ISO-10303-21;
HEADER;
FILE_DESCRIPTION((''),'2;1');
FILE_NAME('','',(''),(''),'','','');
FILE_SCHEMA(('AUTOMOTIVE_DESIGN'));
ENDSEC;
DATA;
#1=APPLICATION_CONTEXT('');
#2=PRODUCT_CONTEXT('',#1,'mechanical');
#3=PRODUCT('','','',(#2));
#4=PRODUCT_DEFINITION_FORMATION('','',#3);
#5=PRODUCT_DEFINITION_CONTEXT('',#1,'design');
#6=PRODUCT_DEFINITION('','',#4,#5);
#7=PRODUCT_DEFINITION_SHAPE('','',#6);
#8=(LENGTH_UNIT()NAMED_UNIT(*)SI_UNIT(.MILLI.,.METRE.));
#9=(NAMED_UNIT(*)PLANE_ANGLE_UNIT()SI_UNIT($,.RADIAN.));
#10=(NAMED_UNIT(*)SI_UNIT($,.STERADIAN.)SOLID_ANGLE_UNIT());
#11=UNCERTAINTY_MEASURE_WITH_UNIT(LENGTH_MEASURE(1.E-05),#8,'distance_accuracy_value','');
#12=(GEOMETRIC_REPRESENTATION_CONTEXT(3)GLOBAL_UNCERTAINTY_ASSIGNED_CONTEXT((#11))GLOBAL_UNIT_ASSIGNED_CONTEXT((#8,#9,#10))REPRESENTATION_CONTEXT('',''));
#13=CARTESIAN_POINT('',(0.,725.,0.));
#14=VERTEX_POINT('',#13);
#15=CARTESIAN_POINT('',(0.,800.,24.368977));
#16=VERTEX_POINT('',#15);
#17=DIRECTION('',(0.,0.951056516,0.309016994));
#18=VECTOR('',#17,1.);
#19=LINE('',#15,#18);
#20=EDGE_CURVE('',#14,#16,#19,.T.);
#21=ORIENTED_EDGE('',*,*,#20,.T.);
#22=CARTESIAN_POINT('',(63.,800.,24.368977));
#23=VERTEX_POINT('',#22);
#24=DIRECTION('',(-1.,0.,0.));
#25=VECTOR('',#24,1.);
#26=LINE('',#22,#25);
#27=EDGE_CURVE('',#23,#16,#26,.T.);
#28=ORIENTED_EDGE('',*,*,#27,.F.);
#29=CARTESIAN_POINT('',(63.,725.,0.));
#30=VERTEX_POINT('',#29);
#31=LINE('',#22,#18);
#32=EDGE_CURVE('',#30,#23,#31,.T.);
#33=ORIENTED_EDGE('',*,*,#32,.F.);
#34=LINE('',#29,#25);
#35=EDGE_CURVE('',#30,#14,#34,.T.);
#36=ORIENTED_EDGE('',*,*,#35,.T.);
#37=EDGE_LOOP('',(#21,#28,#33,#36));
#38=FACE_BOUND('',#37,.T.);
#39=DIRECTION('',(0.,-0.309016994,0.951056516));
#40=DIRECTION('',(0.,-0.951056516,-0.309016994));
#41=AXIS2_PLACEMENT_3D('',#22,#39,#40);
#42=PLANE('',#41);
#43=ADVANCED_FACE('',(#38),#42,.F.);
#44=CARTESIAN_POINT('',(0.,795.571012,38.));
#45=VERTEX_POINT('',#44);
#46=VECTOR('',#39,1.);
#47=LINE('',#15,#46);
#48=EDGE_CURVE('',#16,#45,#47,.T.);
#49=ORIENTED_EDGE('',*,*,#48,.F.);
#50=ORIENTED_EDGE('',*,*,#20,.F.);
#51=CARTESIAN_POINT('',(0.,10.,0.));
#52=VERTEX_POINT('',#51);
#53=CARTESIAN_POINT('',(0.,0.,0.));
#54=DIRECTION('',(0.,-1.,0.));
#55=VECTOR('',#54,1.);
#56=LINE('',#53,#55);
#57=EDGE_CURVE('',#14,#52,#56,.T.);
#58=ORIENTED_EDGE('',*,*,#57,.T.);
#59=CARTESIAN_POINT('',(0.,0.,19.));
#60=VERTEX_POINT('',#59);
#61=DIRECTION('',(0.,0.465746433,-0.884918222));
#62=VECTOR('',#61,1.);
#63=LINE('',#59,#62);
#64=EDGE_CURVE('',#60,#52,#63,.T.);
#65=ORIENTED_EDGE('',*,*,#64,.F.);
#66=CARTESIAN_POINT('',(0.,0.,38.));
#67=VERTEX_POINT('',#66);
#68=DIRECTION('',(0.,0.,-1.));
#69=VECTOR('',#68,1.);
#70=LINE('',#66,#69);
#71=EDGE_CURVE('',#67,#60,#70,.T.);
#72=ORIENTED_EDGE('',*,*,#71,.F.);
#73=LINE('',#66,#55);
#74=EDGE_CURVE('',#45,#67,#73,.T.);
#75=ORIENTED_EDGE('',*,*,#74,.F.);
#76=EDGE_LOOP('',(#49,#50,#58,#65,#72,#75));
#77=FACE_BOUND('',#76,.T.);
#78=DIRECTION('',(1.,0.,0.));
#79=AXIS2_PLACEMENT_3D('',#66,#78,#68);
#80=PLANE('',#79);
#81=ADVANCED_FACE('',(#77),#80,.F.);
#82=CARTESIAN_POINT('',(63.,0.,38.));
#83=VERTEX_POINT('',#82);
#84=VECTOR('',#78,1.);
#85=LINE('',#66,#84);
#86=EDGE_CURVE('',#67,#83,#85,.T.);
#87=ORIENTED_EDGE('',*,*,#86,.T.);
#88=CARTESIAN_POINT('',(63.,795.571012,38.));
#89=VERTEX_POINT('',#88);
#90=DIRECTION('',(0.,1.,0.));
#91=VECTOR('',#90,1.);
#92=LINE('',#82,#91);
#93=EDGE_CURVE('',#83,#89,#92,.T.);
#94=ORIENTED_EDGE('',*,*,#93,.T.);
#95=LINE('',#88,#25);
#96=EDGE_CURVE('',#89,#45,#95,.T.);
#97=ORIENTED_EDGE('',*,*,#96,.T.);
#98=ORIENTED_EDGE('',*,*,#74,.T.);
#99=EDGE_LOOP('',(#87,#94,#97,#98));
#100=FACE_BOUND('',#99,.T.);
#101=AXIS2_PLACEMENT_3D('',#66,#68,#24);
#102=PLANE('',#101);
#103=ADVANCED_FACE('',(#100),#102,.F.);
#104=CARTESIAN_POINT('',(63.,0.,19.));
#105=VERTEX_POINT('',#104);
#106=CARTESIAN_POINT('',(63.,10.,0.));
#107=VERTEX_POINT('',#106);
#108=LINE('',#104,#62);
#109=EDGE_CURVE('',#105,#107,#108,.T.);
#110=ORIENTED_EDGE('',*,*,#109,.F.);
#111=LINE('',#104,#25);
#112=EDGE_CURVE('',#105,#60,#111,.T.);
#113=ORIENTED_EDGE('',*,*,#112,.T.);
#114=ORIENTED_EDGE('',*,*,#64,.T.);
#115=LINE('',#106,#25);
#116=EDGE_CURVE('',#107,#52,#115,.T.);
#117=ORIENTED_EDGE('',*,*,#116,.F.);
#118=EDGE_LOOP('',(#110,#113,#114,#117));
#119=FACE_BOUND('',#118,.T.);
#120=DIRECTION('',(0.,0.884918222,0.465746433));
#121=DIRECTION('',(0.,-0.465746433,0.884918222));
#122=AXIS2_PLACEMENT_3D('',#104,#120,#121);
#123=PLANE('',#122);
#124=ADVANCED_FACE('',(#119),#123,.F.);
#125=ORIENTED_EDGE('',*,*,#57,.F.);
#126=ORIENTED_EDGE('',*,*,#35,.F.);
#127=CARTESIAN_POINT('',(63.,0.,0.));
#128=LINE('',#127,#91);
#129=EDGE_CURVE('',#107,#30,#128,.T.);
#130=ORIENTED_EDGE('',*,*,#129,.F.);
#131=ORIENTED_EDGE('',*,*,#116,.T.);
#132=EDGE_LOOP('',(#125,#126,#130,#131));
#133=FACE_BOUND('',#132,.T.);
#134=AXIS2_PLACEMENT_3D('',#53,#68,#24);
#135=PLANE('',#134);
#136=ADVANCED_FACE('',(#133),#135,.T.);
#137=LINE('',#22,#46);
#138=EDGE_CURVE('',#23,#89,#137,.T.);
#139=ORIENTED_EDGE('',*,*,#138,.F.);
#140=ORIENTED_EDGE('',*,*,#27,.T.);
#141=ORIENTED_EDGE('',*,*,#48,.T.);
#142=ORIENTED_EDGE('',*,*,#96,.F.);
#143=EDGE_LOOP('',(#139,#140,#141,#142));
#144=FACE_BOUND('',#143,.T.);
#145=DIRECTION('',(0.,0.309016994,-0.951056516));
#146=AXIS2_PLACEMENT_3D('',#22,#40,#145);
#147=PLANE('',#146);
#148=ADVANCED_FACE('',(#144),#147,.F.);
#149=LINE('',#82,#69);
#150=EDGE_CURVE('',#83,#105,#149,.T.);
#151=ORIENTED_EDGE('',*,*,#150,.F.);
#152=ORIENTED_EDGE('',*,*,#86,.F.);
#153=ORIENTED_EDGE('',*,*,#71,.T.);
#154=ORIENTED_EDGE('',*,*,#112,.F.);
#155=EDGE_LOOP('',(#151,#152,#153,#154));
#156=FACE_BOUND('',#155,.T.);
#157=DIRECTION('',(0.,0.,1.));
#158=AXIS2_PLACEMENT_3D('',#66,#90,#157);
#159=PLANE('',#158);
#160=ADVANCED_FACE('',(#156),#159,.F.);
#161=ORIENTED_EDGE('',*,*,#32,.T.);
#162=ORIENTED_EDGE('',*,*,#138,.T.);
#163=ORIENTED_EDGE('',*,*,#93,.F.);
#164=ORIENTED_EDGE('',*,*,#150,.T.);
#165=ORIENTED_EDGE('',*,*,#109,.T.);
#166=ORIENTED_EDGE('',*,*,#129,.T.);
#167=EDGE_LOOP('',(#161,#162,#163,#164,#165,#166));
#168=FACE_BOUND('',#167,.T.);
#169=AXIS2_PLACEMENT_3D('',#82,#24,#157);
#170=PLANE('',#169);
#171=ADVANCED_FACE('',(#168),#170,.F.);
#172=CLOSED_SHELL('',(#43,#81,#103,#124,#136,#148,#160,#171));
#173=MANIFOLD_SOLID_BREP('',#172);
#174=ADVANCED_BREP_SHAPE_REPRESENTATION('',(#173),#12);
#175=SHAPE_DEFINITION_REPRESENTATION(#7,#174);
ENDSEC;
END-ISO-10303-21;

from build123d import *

# Parameters (mm, degrees)
ESQUISSE1_W             = 63
ESQUISSE1_H             = 800
BOSS_EXTRU_1_DEPTH      = 38
ENL_V_MAT_EXTRU_1_DEPTH = 804.376001633
ENL_V_MAT_EXTRU_2_DEPTH = 804.376001633


with BuildPart() as part:
    # Esquisse1 → Boss.-Extru.1 (new body)
    with BuildSketch(Plane.XY):
        with Locations((31.5, 400)):
            Rectangle(ESQUISSE1_W, ESQUISSE1_H)
    extrude(amount=BOSS_EXTRU_1_DEPTH)

    # Esquisse2 → Enlèv. mat.-Extru.1 (cut, through all)
    with BuildSketch(Plane.ZY):
        Polygon((24.368977217, 800), (0, 725), (0, 800), align=None)
        Polygon((19, 0), (0, 10), (0, 0), align=None)
    extrude(amount=-ENL_V_MAT_EXTRU_1_DEPTH, mode=Mode.SUBTRACT)

    # Esquisse3 → Enlèv. mat.-Extru.2 (cut, through all)
    with BuildSketch(Plane.ZY):
        Polygon((24.368977217, 800), (38, 795.571012218), (38, 800), align=None)
    extrude(amount=-ENL_V_MAT_EXTRU_2_DEPTH, mode=Mode.SUBTRACT)


solid = part.part
